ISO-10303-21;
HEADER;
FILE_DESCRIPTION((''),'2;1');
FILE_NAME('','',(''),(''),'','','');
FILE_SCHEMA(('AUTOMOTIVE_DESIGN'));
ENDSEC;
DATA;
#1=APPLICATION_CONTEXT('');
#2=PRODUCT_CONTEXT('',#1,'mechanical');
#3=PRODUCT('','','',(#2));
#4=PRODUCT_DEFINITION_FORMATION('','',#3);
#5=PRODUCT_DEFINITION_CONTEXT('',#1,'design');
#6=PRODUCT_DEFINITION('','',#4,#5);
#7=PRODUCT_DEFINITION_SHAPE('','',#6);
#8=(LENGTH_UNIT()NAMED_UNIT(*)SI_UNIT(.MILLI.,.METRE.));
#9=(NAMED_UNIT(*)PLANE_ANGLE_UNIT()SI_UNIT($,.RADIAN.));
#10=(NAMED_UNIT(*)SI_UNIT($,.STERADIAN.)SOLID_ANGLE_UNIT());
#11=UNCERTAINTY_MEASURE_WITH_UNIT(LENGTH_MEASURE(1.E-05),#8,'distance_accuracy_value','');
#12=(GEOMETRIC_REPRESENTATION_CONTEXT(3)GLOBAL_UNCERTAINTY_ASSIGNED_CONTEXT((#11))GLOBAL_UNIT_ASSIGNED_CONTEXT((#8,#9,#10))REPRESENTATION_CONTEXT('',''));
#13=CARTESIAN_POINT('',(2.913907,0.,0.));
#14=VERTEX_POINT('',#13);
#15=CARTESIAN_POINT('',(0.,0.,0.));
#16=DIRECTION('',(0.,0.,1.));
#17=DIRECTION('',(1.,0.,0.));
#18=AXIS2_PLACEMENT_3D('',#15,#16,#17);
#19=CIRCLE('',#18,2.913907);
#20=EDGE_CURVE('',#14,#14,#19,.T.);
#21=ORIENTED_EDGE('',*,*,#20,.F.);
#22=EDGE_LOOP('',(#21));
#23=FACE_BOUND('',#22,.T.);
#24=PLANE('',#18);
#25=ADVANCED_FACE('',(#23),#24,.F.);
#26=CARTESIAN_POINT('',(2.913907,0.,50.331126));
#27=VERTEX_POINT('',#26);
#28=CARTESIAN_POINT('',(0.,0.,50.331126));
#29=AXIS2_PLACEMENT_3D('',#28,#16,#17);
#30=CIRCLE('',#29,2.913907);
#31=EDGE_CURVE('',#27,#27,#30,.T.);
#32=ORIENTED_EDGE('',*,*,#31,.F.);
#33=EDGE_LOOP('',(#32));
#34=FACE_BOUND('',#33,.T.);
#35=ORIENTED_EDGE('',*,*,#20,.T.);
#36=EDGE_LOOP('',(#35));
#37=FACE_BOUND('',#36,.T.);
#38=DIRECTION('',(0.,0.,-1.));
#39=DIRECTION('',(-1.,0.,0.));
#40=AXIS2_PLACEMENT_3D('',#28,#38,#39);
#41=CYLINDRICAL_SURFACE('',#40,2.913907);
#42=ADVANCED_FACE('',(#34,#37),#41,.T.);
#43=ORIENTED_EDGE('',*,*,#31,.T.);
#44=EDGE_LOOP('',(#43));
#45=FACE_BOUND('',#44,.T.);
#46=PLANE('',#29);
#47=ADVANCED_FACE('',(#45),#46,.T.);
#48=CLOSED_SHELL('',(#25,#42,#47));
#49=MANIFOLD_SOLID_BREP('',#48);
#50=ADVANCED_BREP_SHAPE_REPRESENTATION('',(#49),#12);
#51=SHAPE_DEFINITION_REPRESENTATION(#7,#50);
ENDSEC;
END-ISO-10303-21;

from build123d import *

# Parameters (mm, degrees)
SKETCH1_R           = 2.913907285
BOSS_EXTRUDE1_DEPTH = 50.331125828


with BuildPart() as part:
    # Sketch1 → Boss-Extrude1 (new body)
    with BuildSketch(Plane.XY):
        Circle(SKETCH1_R)
    extrude(amount=BOSS_EXTRUDE1_DEPTH)


solid = part.part
